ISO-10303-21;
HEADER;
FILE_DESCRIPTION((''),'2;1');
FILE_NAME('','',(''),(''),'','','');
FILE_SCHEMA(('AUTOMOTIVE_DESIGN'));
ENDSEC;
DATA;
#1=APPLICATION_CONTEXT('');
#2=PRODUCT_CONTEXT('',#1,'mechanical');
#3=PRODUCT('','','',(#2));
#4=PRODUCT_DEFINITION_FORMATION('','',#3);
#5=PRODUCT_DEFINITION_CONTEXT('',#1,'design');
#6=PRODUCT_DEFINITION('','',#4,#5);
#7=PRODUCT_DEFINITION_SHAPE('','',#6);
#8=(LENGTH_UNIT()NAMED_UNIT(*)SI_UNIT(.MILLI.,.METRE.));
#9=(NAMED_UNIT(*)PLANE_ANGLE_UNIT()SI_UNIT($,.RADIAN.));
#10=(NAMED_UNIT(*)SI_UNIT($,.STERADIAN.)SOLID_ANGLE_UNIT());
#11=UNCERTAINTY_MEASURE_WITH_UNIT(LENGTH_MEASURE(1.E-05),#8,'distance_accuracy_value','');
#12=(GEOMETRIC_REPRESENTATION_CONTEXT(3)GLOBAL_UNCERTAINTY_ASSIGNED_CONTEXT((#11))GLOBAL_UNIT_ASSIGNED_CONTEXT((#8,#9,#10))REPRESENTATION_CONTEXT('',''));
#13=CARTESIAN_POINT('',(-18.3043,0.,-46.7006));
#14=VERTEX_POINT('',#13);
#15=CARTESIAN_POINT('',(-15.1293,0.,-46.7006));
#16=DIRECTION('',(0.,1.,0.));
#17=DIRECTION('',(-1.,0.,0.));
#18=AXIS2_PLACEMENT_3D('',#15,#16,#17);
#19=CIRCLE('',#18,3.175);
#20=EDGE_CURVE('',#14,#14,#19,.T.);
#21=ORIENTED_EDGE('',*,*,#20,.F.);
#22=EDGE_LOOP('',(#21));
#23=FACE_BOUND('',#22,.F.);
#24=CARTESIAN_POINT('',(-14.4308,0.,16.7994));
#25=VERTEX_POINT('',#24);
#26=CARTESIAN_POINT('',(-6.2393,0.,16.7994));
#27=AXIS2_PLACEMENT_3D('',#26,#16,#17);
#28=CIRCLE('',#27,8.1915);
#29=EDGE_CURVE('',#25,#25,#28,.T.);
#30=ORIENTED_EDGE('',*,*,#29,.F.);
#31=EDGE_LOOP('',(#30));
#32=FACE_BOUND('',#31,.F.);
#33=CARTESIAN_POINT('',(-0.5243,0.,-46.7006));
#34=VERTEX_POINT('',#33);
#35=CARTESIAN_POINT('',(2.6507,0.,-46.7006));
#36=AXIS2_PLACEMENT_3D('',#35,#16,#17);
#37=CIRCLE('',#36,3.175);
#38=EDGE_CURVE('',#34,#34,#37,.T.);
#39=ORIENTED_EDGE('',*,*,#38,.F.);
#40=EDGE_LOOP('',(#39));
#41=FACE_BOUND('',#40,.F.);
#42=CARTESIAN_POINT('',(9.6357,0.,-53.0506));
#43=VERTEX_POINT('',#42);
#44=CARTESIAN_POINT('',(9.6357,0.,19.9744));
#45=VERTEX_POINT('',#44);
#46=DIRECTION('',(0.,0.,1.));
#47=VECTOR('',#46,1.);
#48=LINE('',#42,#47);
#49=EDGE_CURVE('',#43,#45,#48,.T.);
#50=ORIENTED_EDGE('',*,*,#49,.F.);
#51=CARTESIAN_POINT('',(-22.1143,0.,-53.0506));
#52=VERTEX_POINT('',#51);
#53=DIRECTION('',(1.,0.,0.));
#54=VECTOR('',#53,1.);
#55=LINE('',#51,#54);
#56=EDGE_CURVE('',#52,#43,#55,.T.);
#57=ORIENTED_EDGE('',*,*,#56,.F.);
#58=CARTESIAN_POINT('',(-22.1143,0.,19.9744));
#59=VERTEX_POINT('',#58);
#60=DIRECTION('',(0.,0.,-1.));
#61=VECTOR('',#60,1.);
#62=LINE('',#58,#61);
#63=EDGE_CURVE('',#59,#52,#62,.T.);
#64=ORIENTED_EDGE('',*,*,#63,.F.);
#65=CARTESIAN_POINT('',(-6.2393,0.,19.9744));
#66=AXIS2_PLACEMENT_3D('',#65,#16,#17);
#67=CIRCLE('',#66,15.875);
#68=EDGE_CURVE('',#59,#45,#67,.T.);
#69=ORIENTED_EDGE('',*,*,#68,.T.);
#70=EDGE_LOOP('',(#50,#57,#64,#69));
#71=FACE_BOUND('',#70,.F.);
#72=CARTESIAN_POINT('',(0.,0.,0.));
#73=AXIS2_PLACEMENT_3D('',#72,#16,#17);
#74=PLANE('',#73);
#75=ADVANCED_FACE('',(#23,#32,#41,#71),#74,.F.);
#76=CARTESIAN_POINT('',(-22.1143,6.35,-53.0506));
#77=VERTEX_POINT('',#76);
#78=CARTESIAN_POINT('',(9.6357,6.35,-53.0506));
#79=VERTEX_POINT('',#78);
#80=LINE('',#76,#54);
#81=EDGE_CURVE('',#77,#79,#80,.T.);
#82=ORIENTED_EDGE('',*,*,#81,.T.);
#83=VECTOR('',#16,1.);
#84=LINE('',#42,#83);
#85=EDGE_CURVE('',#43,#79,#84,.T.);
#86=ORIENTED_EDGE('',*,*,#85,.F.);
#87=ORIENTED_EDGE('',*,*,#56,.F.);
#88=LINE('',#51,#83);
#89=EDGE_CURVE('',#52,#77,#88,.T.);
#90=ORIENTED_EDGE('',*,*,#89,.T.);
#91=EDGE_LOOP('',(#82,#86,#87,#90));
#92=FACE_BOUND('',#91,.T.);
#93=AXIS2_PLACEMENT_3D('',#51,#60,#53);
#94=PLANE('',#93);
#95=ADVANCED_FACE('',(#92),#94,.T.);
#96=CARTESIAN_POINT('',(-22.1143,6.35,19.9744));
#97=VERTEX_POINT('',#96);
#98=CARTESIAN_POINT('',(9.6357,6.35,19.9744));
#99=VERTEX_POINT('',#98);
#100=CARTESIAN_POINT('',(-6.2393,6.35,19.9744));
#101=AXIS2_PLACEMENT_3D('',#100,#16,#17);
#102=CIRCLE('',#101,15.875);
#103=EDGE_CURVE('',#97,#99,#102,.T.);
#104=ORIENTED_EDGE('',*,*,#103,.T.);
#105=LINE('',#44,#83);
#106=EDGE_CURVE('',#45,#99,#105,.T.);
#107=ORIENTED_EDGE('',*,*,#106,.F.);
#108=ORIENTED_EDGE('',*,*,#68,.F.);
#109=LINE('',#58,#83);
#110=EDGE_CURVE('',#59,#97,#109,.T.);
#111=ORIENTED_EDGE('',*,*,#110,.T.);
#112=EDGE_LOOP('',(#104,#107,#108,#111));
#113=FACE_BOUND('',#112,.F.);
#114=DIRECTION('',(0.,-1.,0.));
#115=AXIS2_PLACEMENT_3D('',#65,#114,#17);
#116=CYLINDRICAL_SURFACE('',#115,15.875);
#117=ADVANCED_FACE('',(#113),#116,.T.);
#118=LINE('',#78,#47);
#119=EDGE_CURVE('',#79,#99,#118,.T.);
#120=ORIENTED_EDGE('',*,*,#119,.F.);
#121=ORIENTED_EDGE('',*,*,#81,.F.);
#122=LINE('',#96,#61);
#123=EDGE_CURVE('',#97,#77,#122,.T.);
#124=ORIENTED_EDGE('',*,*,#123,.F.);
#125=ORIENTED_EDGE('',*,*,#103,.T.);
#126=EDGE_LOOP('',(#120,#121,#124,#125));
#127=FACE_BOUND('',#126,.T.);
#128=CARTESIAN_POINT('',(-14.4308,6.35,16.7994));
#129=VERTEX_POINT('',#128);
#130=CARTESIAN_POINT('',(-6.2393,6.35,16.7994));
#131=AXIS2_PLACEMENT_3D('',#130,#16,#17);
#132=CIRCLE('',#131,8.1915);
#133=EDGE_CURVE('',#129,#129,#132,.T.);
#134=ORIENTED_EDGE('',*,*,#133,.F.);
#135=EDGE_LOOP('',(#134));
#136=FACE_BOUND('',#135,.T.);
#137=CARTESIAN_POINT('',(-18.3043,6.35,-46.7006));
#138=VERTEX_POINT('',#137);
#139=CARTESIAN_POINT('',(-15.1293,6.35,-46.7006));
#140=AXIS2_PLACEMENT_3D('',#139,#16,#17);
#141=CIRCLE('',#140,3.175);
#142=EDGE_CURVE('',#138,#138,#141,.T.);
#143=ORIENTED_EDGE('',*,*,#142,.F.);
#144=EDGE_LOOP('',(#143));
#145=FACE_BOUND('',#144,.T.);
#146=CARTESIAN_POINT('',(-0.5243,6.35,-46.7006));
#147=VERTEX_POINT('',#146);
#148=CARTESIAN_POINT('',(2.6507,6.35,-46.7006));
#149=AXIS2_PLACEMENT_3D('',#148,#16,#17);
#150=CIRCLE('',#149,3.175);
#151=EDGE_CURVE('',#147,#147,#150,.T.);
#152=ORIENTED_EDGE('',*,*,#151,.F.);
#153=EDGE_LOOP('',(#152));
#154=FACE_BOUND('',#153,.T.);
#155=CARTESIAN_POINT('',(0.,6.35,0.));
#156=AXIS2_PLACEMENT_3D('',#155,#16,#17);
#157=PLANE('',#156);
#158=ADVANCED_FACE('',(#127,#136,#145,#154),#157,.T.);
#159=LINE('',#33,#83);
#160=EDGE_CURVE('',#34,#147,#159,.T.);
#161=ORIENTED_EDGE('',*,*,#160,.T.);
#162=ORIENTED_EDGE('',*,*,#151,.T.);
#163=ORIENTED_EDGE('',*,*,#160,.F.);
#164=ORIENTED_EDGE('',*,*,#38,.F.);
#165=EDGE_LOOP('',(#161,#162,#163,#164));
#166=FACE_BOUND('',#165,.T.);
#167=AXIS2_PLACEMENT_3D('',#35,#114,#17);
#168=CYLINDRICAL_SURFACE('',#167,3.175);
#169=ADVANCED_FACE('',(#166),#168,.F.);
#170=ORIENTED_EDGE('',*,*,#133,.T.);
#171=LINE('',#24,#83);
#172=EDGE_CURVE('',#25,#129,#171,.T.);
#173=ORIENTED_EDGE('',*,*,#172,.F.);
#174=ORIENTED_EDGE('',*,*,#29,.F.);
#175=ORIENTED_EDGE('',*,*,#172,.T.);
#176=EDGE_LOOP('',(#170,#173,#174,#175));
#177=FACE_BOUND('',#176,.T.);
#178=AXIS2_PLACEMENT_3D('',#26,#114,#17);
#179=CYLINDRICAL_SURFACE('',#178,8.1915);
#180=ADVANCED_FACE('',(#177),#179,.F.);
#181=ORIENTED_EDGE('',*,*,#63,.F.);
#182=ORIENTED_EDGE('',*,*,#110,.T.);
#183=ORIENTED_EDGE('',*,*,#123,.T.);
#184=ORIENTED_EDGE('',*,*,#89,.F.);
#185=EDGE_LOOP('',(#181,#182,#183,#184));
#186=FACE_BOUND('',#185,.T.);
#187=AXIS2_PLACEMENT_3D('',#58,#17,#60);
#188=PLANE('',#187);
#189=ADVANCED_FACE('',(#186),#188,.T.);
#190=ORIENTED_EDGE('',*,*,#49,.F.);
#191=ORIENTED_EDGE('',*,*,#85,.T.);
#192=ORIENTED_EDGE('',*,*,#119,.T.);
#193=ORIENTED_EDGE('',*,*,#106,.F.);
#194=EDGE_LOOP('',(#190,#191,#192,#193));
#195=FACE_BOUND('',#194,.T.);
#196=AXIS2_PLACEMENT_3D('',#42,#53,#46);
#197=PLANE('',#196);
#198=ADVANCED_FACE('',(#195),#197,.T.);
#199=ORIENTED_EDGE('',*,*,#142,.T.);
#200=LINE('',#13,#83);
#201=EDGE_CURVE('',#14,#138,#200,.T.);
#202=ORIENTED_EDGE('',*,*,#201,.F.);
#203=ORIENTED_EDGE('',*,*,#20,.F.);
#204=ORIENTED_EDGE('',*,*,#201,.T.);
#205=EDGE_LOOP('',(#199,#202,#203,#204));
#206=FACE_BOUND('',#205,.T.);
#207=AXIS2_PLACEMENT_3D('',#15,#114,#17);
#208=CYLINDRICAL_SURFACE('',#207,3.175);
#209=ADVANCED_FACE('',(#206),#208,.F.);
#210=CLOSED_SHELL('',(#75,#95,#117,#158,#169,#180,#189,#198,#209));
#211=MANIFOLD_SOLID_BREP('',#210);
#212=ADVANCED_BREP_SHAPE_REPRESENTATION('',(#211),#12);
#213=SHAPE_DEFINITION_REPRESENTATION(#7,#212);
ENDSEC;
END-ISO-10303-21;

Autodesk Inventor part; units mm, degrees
ref_plane "YZ Plane" through (0, 0, 0) normal (1, 0, 0) x (0, 1, 0)
ref_plane "XZ Plane" through (0, 0, 0) normal (0, 1, 0) x (-1, 0, 0)
ref_plane "XY Plane" through (0, 0, 0) normal (0, 0, 1) x (1, 0, 0)
sketch "Sketch1" plane through (0, 0, 0) normal (0, 1, 0) x (-1, 0, 0)
  line L0 (22.1143, 19.9744) -> (22.1143, -53.0506)
  line L1 (22.1143, -53.0506) -> (-9.6357, -53.0506)
  line L2 (-9.6357, -53.0506) -> (-9.6357, 19.9744)
  arc A0 (22.1143, 19.9744) -> (-9.6357, 19.9744) centre (6.2393, 19.9744) ccw
  circle A1 centre (15.1293, -46.7006) radius 3.175
  circle A2 centre (-2.6507, -46.7006) radius 3.175
  circle A3 centre (6.2393, 16.7994) radius 8.1915
  point P0 (0, 0)
  point P1 (6.2393, 35.8494)
  dimension "d0" = 31.75
  dimension "d1" = 88.9
  dimension "d3" = 6.35
  dimension "d4" = 6.35
  dimension "d5" = 17.78
  dimension "d6" = 6.35
  dimension "d7" = 6.35
  dimension "d10" = 6.985
  dimension "d11" = 6.985
  dimension "d12" = 16.383
  dimension "d14" = 3.175
  dimension "d15" = 15.875
  dimension "d16" = 15.875
extrude "Extrusion2" add sketch "Sketch1" along normal blind 6.35
equation "\"d7\" = d6"
equation "\"d10\" = d11"
equation "\"d15\" = d16"
properties part number "self aligning bearing holder"
